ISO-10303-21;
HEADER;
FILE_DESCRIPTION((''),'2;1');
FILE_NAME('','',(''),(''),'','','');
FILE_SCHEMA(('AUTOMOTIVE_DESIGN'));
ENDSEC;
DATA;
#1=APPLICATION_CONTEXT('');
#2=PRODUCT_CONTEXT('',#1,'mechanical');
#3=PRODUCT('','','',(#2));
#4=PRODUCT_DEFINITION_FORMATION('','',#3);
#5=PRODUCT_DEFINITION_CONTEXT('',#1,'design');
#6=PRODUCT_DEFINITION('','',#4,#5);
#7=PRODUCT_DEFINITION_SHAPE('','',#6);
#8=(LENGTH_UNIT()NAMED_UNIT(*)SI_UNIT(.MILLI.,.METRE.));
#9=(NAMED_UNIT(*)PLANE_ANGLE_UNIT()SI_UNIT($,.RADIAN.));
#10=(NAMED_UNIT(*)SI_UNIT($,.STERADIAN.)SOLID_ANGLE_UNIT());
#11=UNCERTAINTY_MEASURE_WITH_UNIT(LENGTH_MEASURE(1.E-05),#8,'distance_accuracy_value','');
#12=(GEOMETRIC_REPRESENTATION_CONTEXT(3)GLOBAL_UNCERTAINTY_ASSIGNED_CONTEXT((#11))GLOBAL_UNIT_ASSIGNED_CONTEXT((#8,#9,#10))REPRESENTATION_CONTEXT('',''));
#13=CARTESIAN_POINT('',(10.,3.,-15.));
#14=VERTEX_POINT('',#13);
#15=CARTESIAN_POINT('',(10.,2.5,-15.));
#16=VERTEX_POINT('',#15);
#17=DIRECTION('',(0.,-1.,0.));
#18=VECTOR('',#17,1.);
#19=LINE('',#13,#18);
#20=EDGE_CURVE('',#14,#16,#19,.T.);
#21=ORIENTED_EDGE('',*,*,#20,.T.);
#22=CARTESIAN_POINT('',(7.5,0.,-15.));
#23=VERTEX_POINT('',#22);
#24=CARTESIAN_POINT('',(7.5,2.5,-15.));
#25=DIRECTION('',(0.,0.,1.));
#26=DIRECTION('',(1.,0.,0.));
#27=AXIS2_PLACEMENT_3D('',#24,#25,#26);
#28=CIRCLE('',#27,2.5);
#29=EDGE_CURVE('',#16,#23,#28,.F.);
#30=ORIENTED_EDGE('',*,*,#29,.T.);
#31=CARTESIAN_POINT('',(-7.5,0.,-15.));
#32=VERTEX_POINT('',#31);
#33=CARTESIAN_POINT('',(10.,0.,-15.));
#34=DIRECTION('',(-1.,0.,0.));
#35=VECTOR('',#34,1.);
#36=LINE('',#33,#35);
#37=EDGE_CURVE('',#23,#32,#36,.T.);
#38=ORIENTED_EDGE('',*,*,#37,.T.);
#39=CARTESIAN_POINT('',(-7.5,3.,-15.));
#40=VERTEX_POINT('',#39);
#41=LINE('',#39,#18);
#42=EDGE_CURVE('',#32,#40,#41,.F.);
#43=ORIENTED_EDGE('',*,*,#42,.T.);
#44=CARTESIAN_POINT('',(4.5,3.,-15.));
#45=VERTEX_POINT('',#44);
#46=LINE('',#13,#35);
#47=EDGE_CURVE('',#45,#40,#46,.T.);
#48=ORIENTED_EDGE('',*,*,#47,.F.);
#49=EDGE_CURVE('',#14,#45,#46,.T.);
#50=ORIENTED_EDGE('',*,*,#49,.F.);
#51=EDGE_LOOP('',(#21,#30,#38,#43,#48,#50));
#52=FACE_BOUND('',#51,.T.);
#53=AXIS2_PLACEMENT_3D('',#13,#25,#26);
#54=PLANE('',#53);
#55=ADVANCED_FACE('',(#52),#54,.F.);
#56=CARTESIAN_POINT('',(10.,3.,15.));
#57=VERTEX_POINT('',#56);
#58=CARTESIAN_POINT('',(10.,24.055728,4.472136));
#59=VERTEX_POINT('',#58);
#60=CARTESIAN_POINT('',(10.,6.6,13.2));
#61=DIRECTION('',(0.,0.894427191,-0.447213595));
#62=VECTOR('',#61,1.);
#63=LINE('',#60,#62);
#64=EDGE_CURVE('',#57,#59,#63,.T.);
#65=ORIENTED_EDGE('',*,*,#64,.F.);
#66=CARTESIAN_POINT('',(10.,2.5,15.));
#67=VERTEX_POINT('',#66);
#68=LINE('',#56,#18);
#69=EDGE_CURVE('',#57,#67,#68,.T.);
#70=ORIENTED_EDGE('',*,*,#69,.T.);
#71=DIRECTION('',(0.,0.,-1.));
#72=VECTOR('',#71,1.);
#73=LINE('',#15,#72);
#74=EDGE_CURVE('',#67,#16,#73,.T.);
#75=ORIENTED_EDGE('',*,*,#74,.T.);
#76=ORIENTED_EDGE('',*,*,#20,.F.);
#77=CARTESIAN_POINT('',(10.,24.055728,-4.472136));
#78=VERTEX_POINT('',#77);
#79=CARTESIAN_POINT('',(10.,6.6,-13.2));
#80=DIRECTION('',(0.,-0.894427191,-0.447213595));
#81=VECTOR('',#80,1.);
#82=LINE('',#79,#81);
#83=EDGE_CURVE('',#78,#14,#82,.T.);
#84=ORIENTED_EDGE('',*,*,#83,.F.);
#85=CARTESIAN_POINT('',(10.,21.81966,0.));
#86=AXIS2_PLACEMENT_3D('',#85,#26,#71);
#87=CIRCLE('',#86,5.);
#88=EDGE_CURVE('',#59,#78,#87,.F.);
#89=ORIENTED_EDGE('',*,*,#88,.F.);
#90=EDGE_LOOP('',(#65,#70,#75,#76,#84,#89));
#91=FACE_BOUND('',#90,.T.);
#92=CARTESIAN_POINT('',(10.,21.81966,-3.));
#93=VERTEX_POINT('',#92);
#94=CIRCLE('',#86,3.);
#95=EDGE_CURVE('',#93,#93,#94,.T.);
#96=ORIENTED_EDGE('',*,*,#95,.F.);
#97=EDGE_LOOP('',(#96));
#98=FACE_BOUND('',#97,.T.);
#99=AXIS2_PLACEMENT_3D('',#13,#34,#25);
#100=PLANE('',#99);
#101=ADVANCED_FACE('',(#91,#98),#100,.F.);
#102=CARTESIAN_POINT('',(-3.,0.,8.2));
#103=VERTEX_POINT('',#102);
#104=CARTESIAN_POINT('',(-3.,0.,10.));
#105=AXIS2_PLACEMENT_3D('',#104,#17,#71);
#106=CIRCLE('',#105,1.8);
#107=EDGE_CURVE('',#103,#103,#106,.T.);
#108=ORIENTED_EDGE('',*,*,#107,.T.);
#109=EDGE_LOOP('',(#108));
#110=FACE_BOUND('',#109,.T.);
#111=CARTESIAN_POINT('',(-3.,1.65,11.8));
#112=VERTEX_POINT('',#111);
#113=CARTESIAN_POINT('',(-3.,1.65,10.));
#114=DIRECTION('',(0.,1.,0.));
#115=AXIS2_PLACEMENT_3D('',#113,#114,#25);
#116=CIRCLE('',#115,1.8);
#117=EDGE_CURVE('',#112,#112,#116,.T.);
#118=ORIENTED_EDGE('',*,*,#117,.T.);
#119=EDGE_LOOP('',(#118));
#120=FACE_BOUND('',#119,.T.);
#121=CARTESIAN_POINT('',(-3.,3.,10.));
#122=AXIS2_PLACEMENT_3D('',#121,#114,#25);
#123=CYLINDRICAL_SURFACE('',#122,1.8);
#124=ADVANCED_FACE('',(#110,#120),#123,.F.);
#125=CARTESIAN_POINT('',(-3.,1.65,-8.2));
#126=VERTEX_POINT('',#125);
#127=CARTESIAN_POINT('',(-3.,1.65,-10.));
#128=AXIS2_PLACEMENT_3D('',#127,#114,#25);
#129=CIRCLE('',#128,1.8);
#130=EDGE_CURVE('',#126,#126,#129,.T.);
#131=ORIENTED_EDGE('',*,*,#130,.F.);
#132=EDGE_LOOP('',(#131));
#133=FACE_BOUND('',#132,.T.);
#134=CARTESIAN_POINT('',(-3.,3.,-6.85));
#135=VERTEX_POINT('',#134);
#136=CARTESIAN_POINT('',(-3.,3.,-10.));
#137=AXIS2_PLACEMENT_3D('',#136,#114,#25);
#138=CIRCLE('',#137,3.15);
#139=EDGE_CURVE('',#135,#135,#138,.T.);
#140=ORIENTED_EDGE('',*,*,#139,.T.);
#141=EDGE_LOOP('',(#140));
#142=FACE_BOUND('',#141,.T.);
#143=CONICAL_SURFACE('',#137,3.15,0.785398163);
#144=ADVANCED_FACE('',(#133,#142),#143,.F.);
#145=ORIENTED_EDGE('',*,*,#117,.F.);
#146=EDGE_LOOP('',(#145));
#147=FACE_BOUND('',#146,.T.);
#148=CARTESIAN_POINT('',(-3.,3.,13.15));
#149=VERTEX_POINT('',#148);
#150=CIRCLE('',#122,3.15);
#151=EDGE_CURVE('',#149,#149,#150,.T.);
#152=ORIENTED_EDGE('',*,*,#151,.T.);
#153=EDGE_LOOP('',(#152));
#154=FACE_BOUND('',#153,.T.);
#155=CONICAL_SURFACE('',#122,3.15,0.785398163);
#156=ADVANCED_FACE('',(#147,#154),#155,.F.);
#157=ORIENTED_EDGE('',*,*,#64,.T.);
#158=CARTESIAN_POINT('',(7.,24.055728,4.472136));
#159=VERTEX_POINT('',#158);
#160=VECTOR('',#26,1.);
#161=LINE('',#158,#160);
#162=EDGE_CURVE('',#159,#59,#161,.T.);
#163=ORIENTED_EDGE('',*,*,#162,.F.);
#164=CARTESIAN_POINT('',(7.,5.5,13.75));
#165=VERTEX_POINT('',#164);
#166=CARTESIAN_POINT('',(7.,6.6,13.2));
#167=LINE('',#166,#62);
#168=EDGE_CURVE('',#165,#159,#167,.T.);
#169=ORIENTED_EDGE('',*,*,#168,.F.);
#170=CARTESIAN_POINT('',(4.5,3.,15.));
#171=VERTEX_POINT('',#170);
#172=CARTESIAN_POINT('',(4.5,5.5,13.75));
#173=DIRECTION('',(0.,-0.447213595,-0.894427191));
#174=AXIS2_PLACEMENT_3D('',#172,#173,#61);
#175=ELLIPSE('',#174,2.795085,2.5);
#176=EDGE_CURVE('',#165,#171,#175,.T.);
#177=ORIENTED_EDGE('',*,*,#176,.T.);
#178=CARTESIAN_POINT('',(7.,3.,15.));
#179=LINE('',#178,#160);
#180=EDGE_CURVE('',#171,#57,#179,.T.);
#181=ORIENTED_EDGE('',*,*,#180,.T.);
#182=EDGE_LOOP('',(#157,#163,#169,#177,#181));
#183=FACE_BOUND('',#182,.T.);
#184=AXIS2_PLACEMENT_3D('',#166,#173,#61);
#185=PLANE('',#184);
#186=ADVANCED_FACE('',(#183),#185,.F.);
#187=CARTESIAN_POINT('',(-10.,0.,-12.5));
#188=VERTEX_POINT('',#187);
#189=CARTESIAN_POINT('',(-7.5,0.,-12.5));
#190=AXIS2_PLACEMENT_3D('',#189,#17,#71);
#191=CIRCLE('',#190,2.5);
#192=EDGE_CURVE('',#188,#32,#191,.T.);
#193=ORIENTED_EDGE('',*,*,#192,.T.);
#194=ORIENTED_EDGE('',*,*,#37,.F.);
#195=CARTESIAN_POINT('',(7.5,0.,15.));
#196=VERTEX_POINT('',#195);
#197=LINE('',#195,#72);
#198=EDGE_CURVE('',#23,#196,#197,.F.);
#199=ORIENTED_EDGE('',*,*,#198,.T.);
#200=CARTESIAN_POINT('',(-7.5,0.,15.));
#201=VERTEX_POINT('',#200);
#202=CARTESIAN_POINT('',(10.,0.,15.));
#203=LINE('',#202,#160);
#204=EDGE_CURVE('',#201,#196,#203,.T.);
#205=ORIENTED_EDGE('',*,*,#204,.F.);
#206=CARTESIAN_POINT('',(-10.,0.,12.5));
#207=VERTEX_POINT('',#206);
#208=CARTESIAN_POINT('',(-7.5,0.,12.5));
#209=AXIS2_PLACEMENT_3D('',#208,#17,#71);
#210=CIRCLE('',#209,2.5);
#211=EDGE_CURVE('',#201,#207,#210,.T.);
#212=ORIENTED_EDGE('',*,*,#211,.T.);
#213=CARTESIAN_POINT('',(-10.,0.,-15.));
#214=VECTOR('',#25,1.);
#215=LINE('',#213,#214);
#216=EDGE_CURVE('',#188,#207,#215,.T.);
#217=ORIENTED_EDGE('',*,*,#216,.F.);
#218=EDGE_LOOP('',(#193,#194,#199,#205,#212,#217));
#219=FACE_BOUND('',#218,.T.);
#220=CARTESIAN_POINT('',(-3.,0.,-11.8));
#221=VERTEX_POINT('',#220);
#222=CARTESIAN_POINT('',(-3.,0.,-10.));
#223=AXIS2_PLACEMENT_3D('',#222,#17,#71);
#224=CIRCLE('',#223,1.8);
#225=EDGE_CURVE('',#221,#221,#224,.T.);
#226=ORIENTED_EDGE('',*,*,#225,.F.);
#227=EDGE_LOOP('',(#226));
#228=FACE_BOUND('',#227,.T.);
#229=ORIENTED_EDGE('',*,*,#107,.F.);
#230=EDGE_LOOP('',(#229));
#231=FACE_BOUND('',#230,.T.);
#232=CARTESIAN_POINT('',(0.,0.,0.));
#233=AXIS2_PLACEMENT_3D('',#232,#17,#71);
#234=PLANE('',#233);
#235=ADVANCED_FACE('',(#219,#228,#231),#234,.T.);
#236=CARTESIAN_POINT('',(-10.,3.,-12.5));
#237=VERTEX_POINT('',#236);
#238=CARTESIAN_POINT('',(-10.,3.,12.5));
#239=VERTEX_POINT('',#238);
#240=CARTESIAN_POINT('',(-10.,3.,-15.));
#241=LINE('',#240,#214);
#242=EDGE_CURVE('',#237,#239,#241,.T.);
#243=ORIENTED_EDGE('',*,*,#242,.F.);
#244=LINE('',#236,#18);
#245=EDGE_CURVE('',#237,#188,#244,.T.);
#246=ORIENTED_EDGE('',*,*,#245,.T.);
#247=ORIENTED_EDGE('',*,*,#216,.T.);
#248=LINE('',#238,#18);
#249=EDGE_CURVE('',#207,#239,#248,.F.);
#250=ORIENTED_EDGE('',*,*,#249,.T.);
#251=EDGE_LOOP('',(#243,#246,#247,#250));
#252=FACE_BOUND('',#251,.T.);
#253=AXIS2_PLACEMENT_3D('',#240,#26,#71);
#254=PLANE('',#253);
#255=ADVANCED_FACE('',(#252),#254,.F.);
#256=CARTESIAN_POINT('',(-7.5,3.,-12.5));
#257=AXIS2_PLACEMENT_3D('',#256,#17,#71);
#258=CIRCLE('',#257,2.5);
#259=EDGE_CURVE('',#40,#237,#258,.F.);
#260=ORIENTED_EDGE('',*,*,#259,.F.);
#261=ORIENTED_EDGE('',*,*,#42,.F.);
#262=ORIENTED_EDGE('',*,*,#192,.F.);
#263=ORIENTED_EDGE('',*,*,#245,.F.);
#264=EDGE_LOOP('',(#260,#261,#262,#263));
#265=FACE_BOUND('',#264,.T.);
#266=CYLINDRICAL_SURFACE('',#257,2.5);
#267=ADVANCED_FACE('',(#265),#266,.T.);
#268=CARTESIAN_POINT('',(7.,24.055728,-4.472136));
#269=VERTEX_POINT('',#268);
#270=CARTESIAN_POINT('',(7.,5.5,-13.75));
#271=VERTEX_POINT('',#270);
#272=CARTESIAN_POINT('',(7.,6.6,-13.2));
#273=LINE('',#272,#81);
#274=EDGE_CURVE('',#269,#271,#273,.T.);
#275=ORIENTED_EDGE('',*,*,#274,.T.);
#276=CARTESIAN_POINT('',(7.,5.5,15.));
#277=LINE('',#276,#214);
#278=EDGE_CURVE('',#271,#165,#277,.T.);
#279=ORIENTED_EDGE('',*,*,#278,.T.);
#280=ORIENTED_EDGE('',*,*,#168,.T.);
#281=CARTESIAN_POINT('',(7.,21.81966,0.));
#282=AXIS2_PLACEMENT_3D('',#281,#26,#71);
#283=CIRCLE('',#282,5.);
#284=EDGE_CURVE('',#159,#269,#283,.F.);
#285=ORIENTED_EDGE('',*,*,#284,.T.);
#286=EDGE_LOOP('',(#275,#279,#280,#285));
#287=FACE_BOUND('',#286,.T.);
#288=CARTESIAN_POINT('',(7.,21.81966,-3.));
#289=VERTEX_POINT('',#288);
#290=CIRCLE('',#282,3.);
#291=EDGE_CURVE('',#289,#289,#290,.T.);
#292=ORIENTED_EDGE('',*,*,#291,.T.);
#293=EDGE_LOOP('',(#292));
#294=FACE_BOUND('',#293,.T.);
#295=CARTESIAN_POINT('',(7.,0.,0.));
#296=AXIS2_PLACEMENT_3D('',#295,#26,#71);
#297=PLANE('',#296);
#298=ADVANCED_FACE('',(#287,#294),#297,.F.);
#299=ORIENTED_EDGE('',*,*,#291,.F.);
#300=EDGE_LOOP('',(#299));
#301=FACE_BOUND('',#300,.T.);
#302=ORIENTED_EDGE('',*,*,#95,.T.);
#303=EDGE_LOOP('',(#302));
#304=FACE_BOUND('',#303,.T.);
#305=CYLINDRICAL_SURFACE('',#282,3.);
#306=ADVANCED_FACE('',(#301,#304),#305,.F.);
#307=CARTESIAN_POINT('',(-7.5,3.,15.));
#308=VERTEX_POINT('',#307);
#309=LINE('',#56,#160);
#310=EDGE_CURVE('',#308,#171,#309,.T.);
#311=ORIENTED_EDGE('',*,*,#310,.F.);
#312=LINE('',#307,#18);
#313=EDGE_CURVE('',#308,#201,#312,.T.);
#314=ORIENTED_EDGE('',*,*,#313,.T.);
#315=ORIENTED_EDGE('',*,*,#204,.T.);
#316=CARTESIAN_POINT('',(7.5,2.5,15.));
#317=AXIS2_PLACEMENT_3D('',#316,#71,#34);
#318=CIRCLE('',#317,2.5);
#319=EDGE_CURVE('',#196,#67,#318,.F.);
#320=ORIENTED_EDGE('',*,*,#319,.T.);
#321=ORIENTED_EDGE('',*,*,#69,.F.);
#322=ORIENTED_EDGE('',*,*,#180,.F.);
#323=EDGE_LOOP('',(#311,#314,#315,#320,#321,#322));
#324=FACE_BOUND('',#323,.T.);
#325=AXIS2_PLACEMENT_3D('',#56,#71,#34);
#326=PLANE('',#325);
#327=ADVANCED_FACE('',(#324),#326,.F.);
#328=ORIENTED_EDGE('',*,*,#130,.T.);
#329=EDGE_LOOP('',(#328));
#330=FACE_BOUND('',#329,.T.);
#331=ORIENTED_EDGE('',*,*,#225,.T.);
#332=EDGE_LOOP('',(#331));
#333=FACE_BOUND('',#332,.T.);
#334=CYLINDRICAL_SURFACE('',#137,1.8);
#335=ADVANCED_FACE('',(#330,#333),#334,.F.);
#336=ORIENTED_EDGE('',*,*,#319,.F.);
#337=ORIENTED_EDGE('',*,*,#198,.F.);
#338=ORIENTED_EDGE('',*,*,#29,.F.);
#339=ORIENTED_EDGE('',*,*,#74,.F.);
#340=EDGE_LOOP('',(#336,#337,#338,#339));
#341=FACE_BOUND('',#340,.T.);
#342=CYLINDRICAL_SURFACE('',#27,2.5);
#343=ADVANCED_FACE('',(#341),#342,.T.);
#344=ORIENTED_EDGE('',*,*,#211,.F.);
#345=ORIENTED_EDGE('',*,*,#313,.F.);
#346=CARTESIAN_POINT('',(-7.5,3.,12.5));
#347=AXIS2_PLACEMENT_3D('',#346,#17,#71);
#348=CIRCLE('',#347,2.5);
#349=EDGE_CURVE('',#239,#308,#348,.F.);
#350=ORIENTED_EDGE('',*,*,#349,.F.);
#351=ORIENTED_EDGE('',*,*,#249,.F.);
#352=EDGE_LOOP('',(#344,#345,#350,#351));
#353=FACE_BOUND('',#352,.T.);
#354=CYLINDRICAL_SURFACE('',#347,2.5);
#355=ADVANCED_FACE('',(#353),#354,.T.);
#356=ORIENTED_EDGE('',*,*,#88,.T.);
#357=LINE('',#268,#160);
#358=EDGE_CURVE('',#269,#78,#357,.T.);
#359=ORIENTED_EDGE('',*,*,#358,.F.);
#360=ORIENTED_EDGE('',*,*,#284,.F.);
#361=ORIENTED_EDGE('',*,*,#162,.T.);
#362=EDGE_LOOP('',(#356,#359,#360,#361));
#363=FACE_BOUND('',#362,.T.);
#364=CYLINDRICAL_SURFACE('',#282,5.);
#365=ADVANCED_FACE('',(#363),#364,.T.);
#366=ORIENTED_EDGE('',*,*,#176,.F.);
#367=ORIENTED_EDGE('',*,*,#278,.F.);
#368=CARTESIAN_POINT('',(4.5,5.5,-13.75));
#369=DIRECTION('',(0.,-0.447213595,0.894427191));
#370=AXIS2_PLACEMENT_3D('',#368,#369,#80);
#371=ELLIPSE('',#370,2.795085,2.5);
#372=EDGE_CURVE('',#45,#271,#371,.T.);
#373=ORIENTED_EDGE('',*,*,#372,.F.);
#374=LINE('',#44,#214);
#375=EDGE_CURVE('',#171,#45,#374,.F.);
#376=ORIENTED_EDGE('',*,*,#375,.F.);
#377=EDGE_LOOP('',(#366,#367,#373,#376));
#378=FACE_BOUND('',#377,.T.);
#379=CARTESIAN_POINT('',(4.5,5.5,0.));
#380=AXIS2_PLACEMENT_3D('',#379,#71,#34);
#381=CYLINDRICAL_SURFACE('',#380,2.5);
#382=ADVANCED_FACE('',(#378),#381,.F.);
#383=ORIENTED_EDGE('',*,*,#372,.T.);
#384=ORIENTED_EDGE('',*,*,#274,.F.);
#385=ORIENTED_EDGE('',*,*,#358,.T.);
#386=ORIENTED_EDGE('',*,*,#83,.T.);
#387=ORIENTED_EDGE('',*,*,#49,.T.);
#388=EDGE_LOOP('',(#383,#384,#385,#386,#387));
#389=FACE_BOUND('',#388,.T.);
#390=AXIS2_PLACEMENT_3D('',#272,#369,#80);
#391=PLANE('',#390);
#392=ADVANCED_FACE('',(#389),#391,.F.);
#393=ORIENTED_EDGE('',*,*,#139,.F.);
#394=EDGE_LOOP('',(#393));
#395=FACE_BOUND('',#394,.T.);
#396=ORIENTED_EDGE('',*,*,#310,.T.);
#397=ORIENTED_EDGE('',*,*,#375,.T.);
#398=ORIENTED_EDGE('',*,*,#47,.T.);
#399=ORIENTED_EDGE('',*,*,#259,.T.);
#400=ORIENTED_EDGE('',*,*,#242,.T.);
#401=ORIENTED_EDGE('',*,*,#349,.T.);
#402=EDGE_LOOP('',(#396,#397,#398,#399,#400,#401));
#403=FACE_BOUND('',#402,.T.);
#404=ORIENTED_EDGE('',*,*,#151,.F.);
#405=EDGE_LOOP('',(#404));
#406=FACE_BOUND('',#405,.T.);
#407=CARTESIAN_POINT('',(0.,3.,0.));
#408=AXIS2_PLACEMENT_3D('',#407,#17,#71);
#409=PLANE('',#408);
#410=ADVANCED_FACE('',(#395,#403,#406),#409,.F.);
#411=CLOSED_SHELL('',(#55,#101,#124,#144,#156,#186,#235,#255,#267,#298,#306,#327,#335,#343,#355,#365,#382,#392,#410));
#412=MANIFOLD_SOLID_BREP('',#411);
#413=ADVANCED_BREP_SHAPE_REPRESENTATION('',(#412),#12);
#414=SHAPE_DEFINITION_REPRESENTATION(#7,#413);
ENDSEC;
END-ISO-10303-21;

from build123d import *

# Parameters (mm, degrees)
SKETCH1_W                                       = 20
SKETCH1_H                                       = 30
BOSS_EXTRUDE1_DEPTH                             = 3
SKETCH3_R                                       = 3
BOSS_EXTRUDE2_DEPTH                             = 3
FILLET1_R                                       = 2.5
CSK_FOR_M3_FLAT_HEAD_MACHINE_SCREW1_D           = 3.6
CSK_FOR_M3_FLAT_HEAD_MACHINE_SCREW1_DEPTH       = 5
CSK_FOR_M3_FLAT_HEAD_MACHINE_SCREW1_CSINK_D     = 6.3
CSK_FOR_M3_FLAT_HEAD_MACHINE_SCREW1_CSINK_ANGLE = 90
CSK_FOR_M3_FLAT_HEAD_MACHINE_SCREW1_TIP         = 1.081549114
FILLET2_R                                       = 2.5


with BuildPart() as part:
    # Sketch1 → Boss-Extrude1 (new body)
    with BuildSketch(Plane(origin=(0, 0, 0), x_dir=(1, 0, 0), z_dir=(0, 1, 0))):
        Rectangle(SKETCH1_W, SKETCH1_H)
    extrude(amount=BOSS_EXTRUDE1_DEPTH)

    # Sketch3 → Boss-Extrude2 (add)
    with BuildSketch(Plane(origin=(10, 0, 0), x_dir=(0, 0, -1), z_dir=(1, 0, 0))):
        with BuildLine():
            ThreePointArc((-4.472135955, 24.05572809), (0, 26.819660113), (4.472135955, 24.05572809))
            Line((4.472135955, 24.05572809), (15, 3))
            Line((15, 3), (-15, 3))
            Line((-15, 3), (-4.472135955, 24.05572809))
        make_face()
        with Locations((0, 21.819660113)):
            Circle(SKETCH3_R, mode=Mode.SUBTRACT)
    extrude(amount=-BOSS_EXTRUDE2_DEPTH)

    # Fillet1
    fillet1_edges = [part.edges().sort_by_distance(p)[0] for p in [
        (10, 0, 0),
        (-10, 1.5, -15),
        (-10, 1.5, 15),
    ]]
    fillet(fillet1_edges, radius=FILLET1_R)

    # CSK for M3 Flat Head Machine Screw1
    with Locations(Plane(origin=(0, 3, 0), x_dir=(1, 0, 0), z_dir=(0, 1, 0))):
        with Locations((-3, 10), (-3, -10)):
            CounterSinkHole(CSK_FOR_M3_FLAT_HEAD_MACHINE_SCREW1_D / 2, CSK_FOR_M3_FLAT_HEAD_MACHINE_SCREW1_CSINK_D / 2, depth=CSK_FOR_M3_FLAT_HEAD_MACHINE_SCREW1_DEPTH, counter_sink_angle=CSK_FOR_M3_FLAT_HEAD_MACHINE_SCREW1_CSINK_ANGLE)
            with Locations((0, 0, -(CSK_FOR_M3_FLAT_HEAD_MACHINE_SCREW1_DEPTH + CSK_FOR_M3_FLAT_HEAD_MACHINE_SCREW1_TIP / 2))):  # 118° drill point
                Cone(0, CSK_FOR_M3_FLAT_HEAD_MACHINE_SCREW1_D / 2, CSK_FOR_M3_FLAT_HEAD_MACHINE_SCREW1_TIP, mode=Mode.SUBTRACT)

    # Fillet2
    fillet2_edges = [part.edges().sort_by_distance(p)[0] for p in [
        (7, 3, 0),
    ]]
    fillet(fillet2_edges, radius=FILLET2_R)


solid = part.part
